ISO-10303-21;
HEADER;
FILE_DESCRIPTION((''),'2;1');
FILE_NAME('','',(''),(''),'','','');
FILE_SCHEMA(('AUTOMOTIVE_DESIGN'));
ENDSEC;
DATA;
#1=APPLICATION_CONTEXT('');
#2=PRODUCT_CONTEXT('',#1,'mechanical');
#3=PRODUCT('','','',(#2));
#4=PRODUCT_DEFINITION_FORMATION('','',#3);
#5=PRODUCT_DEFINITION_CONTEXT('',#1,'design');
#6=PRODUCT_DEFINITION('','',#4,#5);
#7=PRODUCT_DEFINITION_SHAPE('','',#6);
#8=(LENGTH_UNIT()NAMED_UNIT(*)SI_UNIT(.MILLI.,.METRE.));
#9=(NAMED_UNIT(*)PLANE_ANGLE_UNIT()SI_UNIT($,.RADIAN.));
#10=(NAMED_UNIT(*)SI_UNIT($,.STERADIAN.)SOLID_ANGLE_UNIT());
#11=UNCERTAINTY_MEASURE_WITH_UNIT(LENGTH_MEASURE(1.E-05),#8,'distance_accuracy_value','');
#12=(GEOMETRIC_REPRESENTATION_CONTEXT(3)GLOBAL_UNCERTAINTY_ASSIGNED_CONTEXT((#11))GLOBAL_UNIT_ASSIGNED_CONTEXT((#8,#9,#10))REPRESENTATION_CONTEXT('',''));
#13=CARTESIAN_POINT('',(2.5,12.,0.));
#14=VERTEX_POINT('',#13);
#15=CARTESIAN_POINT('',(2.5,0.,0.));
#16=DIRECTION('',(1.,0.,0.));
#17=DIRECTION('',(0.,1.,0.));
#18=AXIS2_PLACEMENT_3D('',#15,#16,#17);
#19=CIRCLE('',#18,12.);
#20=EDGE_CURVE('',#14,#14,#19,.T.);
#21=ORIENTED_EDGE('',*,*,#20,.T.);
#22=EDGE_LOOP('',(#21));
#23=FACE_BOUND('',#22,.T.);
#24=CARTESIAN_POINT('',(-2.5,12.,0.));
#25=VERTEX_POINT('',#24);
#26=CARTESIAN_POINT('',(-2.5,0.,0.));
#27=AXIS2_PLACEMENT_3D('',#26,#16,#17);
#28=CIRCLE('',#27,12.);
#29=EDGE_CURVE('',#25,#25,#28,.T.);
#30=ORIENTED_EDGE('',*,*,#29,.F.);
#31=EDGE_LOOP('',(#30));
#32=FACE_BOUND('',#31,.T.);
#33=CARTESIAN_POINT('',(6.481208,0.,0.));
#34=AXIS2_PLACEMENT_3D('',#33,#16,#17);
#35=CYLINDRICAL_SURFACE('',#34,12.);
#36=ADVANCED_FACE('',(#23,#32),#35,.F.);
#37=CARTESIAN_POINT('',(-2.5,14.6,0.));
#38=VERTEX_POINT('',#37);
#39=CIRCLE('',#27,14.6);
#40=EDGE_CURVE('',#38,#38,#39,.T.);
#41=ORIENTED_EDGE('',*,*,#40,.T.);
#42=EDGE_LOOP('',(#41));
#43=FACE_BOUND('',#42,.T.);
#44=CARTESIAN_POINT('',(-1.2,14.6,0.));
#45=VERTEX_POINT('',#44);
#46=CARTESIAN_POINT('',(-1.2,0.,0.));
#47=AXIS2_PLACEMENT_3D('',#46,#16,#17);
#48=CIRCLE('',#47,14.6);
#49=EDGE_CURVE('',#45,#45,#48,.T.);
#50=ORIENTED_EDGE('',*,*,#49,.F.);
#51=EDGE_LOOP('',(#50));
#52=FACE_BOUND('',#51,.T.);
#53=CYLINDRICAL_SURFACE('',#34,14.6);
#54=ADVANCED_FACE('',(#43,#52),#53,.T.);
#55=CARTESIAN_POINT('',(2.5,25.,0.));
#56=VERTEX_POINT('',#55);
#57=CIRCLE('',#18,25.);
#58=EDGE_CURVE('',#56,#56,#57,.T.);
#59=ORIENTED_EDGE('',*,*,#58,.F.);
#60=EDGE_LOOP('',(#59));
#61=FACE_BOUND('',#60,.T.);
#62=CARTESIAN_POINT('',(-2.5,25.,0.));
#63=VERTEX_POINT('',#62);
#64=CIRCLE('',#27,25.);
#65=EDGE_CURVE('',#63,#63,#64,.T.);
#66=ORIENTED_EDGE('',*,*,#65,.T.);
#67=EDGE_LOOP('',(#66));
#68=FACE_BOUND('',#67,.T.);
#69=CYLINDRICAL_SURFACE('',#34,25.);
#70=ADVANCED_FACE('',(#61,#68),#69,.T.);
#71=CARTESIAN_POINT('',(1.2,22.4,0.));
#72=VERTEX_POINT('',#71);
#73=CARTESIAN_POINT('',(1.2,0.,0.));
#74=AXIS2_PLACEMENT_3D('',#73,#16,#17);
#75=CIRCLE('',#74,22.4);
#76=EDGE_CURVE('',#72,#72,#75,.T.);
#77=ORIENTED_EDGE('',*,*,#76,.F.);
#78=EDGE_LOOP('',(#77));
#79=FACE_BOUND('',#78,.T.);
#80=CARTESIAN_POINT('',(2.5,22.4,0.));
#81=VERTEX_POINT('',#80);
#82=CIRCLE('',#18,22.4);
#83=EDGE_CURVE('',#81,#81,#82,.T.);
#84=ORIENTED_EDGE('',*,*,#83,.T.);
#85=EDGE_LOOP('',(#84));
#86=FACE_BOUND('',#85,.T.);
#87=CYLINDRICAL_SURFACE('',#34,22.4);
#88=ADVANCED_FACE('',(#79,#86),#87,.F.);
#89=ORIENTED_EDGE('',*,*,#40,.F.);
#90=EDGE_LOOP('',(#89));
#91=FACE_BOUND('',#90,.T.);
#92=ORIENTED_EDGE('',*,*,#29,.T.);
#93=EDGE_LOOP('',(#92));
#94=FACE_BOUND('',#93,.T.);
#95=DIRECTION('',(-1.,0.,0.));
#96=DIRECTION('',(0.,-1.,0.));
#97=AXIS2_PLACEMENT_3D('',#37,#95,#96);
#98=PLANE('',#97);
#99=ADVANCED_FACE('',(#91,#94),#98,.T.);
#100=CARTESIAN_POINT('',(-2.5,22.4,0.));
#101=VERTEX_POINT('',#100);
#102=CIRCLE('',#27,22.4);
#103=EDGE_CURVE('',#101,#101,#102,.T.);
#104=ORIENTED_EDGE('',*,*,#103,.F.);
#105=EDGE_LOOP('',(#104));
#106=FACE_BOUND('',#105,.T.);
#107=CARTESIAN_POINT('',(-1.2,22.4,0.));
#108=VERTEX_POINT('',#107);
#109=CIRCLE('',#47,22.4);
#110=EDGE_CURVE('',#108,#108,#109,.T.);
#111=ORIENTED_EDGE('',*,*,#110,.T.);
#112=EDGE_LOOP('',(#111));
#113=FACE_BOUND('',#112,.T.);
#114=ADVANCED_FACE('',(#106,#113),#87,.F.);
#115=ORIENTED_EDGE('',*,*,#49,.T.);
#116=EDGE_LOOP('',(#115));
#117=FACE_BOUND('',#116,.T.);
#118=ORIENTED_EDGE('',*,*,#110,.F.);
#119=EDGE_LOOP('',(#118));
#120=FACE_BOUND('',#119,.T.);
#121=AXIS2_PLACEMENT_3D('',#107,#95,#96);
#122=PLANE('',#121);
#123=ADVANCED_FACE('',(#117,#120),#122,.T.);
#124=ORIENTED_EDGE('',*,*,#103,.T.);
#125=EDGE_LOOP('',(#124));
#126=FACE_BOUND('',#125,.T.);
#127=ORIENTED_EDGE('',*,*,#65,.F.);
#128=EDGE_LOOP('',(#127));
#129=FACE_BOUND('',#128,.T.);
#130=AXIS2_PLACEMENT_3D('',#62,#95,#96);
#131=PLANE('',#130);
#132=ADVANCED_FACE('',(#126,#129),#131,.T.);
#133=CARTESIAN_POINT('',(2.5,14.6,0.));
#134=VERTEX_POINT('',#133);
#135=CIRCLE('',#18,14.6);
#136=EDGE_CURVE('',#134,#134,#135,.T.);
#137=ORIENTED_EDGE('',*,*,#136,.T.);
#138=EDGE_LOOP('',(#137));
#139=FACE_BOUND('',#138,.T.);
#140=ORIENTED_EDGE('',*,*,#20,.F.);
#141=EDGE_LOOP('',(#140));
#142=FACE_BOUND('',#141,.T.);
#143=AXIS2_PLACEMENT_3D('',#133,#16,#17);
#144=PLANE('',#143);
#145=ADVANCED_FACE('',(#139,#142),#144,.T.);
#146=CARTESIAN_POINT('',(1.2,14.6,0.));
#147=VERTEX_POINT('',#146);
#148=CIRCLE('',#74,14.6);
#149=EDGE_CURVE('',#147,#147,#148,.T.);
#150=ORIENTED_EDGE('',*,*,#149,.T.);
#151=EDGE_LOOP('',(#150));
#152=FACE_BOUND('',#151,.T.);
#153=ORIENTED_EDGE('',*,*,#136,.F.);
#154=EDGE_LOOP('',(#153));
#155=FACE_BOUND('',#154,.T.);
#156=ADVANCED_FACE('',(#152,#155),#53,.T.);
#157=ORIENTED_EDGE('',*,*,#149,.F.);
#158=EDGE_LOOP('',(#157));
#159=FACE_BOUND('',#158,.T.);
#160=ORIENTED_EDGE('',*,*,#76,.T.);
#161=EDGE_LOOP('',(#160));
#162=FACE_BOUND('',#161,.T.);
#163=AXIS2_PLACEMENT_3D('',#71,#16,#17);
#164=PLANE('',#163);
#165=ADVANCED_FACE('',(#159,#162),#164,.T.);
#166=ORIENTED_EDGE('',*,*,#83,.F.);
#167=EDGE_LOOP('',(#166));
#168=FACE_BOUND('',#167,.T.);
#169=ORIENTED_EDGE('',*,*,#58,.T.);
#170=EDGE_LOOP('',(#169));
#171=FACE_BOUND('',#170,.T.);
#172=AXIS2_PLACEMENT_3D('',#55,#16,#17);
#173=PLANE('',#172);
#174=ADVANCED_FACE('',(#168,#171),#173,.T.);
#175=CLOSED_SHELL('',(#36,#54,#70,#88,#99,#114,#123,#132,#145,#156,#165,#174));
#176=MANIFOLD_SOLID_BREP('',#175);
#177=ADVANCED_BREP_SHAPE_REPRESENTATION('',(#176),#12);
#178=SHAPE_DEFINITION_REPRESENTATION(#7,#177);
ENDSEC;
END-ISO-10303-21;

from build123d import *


with BuildPart() as part:
    # Sketch1 → Revolve1 (revolve)
    with BuildSketch(Plane.XY):
        Polygon((-2.5, 25), (2.5, 25), (2.5, 22.4), (1.2, 22.4), (1.2, 14.6), (2.5, 14.6), (2.5, 12), (-2.5, 12), (-2.5, 14.6), (-1.2, 14.6), (-1.2, 22.4), (-2.5, 22.4), align=None)
    revolve(axis=Axis((6.481208189, 0, 0), (-1, 0, 0)))


solid = part.part
